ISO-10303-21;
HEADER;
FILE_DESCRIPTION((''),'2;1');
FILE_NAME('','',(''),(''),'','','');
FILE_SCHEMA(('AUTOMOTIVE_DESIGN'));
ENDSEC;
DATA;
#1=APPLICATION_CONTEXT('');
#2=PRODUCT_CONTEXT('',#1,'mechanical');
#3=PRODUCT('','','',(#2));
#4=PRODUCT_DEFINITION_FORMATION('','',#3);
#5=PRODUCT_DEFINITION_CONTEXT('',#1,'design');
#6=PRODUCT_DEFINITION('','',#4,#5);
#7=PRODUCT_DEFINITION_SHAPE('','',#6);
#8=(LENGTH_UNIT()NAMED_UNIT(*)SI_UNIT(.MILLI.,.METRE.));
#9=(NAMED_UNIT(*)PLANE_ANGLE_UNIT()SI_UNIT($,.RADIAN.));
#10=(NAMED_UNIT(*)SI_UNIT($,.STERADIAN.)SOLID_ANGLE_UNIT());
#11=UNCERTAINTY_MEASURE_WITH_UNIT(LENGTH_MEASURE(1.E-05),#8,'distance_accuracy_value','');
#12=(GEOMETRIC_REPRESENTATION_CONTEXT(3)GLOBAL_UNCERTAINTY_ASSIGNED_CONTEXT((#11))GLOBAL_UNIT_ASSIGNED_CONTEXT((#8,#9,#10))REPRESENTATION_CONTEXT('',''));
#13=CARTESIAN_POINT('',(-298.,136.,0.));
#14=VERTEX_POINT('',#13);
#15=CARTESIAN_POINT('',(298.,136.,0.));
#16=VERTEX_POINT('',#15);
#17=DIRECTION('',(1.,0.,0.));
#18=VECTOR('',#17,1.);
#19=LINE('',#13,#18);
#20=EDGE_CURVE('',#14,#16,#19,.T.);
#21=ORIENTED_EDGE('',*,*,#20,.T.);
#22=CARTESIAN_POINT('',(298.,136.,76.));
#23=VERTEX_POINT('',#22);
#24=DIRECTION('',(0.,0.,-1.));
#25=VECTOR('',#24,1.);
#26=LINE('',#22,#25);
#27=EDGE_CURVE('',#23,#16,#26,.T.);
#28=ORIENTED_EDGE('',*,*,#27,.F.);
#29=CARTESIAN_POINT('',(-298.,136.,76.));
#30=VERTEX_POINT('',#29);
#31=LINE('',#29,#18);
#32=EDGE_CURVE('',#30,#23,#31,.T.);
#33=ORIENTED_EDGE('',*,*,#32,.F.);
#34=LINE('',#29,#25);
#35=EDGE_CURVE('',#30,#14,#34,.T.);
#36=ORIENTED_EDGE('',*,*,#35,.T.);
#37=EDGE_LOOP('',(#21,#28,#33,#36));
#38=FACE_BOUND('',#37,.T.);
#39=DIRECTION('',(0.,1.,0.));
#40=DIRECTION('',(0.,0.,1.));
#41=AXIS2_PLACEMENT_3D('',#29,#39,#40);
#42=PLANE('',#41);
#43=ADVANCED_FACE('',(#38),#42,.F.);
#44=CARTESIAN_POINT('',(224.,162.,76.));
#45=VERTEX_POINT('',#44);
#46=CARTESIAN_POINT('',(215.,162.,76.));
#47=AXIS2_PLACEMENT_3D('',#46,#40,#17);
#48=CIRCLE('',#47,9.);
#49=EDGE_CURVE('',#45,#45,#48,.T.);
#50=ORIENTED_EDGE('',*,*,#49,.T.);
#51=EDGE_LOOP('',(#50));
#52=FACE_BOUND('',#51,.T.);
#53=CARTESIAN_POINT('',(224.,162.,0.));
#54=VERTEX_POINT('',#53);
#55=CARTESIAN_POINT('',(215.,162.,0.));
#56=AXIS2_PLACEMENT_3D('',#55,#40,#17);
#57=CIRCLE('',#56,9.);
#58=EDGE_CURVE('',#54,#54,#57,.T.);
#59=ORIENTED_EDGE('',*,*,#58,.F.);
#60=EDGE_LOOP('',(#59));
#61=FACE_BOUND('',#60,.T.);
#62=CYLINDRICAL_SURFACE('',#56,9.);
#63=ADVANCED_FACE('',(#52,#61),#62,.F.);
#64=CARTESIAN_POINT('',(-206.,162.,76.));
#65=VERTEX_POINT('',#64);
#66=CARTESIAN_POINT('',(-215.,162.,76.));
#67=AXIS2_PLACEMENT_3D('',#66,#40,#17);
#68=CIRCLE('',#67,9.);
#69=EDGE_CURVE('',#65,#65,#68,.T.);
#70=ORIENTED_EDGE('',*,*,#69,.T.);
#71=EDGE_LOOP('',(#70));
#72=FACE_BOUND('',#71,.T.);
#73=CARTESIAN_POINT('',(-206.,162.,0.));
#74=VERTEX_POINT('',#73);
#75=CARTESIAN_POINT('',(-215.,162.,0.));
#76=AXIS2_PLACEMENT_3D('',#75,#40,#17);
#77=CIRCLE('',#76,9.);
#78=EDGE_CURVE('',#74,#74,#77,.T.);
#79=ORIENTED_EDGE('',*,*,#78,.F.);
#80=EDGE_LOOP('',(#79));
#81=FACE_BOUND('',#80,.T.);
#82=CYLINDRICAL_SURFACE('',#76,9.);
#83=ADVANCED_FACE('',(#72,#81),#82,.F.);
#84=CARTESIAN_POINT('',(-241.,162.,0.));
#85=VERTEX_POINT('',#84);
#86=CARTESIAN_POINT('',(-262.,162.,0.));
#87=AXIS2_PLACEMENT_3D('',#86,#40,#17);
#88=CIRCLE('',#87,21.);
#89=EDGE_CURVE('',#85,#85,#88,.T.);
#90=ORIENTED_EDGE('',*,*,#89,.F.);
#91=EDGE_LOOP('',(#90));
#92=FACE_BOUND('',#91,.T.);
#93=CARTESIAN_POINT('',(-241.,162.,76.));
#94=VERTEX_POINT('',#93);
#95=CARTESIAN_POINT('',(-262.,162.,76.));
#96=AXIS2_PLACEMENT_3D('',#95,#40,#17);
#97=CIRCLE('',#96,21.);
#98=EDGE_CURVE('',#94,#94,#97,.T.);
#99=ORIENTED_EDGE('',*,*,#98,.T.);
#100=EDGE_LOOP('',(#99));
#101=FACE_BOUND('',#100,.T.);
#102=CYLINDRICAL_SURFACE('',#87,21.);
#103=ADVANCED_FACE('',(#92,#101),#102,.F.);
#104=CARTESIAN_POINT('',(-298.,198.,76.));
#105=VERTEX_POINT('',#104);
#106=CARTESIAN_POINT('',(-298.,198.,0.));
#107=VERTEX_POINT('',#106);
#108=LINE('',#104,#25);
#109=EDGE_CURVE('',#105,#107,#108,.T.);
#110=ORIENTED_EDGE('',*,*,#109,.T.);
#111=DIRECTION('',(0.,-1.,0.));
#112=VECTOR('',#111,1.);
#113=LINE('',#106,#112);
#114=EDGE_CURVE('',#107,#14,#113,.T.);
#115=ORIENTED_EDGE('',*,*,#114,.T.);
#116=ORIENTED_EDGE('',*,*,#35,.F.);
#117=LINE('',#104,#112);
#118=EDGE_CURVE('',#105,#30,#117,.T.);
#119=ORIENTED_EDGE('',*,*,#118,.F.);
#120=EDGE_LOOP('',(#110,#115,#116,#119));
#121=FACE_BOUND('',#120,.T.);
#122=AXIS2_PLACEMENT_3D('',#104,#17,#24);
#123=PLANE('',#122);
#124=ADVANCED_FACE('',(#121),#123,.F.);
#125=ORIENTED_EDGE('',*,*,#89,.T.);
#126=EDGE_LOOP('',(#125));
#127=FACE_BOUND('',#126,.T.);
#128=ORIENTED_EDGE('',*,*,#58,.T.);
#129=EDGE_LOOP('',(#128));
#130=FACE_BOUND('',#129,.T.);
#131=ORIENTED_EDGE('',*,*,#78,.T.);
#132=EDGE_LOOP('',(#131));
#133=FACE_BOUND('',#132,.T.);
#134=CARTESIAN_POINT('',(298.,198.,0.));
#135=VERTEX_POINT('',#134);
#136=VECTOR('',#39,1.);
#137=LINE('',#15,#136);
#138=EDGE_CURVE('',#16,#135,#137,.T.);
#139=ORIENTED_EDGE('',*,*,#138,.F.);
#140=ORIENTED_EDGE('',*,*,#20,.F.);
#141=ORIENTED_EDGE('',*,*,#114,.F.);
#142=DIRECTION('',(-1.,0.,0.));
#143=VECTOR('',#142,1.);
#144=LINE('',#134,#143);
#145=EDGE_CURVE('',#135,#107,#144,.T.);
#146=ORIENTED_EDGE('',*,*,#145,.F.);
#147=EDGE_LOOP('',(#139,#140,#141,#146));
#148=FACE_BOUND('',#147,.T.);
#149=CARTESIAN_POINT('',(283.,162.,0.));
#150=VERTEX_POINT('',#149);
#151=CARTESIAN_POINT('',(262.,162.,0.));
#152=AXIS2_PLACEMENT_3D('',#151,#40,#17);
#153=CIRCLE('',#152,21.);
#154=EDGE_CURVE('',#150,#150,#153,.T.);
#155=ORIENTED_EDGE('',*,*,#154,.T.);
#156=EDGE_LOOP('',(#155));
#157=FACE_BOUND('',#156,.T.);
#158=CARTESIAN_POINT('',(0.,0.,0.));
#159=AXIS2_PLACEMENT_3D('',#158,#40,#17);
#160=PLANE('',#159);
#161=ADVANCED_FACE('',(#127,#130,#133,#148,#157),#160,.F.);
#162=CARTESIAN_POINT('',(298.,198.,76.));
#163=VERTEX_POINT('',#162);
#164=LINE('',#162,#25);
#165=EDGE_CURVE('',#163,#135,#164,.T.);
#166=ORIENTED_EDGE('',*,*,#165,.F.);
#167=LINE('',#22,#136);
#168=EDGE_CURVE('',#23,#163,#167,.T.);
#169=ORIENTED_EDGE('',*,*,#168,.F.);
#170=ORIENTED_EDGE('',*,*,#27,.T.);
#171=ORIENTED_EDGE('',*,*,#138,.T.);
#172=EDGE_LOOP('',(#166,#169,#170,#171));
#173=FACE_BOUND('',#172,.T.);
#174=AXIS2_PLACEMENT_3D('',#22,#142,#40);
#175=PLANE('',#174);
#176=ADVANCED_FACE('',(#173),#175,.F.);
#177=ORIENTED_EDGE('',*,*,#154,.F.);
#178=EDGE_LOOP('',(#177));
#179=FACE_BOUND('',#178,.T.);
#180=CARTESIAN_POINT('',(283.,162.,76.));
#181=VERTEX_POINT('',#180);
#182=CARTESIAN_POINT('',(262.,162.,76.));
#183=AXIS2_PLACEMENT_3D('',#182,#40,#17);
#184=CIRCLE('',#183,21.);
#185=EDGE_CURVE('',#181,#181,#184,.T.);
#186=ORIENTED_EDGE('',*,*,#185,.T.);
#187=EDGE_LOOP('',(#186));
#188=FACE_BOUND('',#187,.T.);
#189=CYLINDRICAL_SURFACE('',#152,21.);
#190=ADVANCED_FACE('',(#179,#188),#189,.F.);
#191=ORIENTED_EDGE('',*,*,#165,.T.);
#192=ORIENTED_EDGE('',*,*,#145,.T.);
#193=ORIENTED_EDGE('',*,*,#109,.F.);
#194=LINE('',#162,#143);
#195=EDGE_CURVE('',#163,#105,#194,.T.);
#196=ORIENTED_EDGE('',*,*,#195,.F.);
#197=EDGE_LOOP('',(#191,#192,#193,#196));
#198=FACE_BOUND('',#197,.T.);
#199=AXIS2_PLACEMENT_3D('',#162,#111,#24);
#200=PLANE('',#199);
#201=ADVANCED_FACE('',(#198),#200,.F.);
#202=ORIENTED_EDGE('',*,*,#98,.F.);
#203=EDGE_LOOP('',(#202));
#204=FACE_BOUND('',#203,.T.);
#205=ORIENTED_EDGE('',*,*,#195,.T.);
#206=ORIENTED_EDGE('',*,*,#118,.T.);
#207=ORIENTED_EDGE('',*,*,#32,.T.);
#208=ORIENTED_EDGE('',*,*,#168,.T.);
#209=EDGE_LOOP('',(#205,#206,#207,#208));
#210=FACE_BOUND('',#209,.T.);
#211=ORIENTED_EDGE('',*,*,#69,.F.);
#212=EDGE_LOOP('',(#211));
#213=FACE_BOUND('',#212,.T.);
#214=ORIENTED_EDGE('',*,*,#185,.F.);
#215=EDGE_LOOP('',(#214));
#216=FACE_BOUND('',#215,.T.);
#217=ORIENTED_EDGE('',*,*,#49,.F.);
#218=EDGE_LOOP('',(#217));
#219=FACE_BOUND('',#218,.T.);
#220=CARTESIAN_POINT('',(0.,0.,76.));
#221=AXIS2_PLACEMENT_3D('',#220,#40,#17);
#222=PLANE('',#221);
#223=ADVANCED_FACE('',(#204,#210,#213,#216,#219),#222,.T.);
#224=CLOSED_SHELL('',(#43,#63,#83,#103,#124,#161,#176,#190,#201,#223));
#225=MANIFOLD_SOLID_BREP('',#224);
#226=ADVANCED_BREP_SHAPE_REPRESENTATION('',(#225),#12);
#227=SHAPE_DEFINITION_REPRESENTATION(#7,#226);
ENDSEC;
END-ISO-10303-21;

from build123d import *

# Parameters (mm, degrees)
SZKIC1_W                    = 596
SZKIC1_H                    = 62
DODANIE_WYCI_GNI_CIE1_DEPTH = 76
SZKIC2_R                    = 21
WYTNIJ_WYCI_GNI_CIE1_DEPTH  = 76
SZKIC3_R                    = 21
WYTNIJ_WYCI_GNI_CIE2_DEPTH  = 76
SZKIC4_W                    = 76
SZKIC4_H                    = 9
SZKIC5_W                    = 76
SZKIC5_H                    = 9


with BuildPart() as part:
    # Szkic1 → Dodanie-wyciągnięcie1 (new body)
    with BuildSketch(Plane.XY):
        with Locations((0, 167)):
            Rectangle(SZKIC1_W, SZKIC1_H)
    extrude(amount=DODANIE_WYCI_GNI_CIE1_DEPTH)

    # Szkic2 → Wytnij-wyciągnięcie1 (cut)
    with BuildSketch(Plane.XY.offset(76)):
        with Locations((262, 162)):
            Circle(SZKIC2_R)
    extrude(amount=-WYTNIJ_WYCI_GNI_CIE1_DEPTH, mode=Mode.SUBTRACT)

    # Szkic3 → Wytnij-wyciągnięcie2 (cut)
    with BuildSketch(Plane.XY.offset(76)):
        with Locations((-262, 162)):
            Circle(SZKIC3_R)
    extrude(amount=-WYTNIJ_WYCI_GNI_CIE2_DEPTH, mode=Mode.SUBTRACT)

    # Szkic4 → Wycięcie-obrót1 (revolve, cut)
    with BuildSketch(Plane(origin=(215, 0, 0), x_dir=(0, 0, -1), z_dir=(1, 0, 0))):
        with Locations((-38, 166.5)):
            Rectangle(SZKIC4_W, SZKIC4_H)
    revolve(axis=Axis((215, 162, 0), (0, 0, 1)), mode=Mode.SUBTRACT)

    # Szkic5 → Wycięcie-obrót2 (revolve, cut)
    with BuildSketch(Plane(origin=(-215, 0, 0), x_dir=(0, 0, -1), z_dir=(1, 0, 0))):
        with Locations((-38, 166.5)):
            Rectangle(SZKIC5_W, SZKIC5_H)
    revolve(axis=Axis((-215, 162, 0), (0, 0, 1)), mode=Mode.SUBTRACT)


solid = part.part
